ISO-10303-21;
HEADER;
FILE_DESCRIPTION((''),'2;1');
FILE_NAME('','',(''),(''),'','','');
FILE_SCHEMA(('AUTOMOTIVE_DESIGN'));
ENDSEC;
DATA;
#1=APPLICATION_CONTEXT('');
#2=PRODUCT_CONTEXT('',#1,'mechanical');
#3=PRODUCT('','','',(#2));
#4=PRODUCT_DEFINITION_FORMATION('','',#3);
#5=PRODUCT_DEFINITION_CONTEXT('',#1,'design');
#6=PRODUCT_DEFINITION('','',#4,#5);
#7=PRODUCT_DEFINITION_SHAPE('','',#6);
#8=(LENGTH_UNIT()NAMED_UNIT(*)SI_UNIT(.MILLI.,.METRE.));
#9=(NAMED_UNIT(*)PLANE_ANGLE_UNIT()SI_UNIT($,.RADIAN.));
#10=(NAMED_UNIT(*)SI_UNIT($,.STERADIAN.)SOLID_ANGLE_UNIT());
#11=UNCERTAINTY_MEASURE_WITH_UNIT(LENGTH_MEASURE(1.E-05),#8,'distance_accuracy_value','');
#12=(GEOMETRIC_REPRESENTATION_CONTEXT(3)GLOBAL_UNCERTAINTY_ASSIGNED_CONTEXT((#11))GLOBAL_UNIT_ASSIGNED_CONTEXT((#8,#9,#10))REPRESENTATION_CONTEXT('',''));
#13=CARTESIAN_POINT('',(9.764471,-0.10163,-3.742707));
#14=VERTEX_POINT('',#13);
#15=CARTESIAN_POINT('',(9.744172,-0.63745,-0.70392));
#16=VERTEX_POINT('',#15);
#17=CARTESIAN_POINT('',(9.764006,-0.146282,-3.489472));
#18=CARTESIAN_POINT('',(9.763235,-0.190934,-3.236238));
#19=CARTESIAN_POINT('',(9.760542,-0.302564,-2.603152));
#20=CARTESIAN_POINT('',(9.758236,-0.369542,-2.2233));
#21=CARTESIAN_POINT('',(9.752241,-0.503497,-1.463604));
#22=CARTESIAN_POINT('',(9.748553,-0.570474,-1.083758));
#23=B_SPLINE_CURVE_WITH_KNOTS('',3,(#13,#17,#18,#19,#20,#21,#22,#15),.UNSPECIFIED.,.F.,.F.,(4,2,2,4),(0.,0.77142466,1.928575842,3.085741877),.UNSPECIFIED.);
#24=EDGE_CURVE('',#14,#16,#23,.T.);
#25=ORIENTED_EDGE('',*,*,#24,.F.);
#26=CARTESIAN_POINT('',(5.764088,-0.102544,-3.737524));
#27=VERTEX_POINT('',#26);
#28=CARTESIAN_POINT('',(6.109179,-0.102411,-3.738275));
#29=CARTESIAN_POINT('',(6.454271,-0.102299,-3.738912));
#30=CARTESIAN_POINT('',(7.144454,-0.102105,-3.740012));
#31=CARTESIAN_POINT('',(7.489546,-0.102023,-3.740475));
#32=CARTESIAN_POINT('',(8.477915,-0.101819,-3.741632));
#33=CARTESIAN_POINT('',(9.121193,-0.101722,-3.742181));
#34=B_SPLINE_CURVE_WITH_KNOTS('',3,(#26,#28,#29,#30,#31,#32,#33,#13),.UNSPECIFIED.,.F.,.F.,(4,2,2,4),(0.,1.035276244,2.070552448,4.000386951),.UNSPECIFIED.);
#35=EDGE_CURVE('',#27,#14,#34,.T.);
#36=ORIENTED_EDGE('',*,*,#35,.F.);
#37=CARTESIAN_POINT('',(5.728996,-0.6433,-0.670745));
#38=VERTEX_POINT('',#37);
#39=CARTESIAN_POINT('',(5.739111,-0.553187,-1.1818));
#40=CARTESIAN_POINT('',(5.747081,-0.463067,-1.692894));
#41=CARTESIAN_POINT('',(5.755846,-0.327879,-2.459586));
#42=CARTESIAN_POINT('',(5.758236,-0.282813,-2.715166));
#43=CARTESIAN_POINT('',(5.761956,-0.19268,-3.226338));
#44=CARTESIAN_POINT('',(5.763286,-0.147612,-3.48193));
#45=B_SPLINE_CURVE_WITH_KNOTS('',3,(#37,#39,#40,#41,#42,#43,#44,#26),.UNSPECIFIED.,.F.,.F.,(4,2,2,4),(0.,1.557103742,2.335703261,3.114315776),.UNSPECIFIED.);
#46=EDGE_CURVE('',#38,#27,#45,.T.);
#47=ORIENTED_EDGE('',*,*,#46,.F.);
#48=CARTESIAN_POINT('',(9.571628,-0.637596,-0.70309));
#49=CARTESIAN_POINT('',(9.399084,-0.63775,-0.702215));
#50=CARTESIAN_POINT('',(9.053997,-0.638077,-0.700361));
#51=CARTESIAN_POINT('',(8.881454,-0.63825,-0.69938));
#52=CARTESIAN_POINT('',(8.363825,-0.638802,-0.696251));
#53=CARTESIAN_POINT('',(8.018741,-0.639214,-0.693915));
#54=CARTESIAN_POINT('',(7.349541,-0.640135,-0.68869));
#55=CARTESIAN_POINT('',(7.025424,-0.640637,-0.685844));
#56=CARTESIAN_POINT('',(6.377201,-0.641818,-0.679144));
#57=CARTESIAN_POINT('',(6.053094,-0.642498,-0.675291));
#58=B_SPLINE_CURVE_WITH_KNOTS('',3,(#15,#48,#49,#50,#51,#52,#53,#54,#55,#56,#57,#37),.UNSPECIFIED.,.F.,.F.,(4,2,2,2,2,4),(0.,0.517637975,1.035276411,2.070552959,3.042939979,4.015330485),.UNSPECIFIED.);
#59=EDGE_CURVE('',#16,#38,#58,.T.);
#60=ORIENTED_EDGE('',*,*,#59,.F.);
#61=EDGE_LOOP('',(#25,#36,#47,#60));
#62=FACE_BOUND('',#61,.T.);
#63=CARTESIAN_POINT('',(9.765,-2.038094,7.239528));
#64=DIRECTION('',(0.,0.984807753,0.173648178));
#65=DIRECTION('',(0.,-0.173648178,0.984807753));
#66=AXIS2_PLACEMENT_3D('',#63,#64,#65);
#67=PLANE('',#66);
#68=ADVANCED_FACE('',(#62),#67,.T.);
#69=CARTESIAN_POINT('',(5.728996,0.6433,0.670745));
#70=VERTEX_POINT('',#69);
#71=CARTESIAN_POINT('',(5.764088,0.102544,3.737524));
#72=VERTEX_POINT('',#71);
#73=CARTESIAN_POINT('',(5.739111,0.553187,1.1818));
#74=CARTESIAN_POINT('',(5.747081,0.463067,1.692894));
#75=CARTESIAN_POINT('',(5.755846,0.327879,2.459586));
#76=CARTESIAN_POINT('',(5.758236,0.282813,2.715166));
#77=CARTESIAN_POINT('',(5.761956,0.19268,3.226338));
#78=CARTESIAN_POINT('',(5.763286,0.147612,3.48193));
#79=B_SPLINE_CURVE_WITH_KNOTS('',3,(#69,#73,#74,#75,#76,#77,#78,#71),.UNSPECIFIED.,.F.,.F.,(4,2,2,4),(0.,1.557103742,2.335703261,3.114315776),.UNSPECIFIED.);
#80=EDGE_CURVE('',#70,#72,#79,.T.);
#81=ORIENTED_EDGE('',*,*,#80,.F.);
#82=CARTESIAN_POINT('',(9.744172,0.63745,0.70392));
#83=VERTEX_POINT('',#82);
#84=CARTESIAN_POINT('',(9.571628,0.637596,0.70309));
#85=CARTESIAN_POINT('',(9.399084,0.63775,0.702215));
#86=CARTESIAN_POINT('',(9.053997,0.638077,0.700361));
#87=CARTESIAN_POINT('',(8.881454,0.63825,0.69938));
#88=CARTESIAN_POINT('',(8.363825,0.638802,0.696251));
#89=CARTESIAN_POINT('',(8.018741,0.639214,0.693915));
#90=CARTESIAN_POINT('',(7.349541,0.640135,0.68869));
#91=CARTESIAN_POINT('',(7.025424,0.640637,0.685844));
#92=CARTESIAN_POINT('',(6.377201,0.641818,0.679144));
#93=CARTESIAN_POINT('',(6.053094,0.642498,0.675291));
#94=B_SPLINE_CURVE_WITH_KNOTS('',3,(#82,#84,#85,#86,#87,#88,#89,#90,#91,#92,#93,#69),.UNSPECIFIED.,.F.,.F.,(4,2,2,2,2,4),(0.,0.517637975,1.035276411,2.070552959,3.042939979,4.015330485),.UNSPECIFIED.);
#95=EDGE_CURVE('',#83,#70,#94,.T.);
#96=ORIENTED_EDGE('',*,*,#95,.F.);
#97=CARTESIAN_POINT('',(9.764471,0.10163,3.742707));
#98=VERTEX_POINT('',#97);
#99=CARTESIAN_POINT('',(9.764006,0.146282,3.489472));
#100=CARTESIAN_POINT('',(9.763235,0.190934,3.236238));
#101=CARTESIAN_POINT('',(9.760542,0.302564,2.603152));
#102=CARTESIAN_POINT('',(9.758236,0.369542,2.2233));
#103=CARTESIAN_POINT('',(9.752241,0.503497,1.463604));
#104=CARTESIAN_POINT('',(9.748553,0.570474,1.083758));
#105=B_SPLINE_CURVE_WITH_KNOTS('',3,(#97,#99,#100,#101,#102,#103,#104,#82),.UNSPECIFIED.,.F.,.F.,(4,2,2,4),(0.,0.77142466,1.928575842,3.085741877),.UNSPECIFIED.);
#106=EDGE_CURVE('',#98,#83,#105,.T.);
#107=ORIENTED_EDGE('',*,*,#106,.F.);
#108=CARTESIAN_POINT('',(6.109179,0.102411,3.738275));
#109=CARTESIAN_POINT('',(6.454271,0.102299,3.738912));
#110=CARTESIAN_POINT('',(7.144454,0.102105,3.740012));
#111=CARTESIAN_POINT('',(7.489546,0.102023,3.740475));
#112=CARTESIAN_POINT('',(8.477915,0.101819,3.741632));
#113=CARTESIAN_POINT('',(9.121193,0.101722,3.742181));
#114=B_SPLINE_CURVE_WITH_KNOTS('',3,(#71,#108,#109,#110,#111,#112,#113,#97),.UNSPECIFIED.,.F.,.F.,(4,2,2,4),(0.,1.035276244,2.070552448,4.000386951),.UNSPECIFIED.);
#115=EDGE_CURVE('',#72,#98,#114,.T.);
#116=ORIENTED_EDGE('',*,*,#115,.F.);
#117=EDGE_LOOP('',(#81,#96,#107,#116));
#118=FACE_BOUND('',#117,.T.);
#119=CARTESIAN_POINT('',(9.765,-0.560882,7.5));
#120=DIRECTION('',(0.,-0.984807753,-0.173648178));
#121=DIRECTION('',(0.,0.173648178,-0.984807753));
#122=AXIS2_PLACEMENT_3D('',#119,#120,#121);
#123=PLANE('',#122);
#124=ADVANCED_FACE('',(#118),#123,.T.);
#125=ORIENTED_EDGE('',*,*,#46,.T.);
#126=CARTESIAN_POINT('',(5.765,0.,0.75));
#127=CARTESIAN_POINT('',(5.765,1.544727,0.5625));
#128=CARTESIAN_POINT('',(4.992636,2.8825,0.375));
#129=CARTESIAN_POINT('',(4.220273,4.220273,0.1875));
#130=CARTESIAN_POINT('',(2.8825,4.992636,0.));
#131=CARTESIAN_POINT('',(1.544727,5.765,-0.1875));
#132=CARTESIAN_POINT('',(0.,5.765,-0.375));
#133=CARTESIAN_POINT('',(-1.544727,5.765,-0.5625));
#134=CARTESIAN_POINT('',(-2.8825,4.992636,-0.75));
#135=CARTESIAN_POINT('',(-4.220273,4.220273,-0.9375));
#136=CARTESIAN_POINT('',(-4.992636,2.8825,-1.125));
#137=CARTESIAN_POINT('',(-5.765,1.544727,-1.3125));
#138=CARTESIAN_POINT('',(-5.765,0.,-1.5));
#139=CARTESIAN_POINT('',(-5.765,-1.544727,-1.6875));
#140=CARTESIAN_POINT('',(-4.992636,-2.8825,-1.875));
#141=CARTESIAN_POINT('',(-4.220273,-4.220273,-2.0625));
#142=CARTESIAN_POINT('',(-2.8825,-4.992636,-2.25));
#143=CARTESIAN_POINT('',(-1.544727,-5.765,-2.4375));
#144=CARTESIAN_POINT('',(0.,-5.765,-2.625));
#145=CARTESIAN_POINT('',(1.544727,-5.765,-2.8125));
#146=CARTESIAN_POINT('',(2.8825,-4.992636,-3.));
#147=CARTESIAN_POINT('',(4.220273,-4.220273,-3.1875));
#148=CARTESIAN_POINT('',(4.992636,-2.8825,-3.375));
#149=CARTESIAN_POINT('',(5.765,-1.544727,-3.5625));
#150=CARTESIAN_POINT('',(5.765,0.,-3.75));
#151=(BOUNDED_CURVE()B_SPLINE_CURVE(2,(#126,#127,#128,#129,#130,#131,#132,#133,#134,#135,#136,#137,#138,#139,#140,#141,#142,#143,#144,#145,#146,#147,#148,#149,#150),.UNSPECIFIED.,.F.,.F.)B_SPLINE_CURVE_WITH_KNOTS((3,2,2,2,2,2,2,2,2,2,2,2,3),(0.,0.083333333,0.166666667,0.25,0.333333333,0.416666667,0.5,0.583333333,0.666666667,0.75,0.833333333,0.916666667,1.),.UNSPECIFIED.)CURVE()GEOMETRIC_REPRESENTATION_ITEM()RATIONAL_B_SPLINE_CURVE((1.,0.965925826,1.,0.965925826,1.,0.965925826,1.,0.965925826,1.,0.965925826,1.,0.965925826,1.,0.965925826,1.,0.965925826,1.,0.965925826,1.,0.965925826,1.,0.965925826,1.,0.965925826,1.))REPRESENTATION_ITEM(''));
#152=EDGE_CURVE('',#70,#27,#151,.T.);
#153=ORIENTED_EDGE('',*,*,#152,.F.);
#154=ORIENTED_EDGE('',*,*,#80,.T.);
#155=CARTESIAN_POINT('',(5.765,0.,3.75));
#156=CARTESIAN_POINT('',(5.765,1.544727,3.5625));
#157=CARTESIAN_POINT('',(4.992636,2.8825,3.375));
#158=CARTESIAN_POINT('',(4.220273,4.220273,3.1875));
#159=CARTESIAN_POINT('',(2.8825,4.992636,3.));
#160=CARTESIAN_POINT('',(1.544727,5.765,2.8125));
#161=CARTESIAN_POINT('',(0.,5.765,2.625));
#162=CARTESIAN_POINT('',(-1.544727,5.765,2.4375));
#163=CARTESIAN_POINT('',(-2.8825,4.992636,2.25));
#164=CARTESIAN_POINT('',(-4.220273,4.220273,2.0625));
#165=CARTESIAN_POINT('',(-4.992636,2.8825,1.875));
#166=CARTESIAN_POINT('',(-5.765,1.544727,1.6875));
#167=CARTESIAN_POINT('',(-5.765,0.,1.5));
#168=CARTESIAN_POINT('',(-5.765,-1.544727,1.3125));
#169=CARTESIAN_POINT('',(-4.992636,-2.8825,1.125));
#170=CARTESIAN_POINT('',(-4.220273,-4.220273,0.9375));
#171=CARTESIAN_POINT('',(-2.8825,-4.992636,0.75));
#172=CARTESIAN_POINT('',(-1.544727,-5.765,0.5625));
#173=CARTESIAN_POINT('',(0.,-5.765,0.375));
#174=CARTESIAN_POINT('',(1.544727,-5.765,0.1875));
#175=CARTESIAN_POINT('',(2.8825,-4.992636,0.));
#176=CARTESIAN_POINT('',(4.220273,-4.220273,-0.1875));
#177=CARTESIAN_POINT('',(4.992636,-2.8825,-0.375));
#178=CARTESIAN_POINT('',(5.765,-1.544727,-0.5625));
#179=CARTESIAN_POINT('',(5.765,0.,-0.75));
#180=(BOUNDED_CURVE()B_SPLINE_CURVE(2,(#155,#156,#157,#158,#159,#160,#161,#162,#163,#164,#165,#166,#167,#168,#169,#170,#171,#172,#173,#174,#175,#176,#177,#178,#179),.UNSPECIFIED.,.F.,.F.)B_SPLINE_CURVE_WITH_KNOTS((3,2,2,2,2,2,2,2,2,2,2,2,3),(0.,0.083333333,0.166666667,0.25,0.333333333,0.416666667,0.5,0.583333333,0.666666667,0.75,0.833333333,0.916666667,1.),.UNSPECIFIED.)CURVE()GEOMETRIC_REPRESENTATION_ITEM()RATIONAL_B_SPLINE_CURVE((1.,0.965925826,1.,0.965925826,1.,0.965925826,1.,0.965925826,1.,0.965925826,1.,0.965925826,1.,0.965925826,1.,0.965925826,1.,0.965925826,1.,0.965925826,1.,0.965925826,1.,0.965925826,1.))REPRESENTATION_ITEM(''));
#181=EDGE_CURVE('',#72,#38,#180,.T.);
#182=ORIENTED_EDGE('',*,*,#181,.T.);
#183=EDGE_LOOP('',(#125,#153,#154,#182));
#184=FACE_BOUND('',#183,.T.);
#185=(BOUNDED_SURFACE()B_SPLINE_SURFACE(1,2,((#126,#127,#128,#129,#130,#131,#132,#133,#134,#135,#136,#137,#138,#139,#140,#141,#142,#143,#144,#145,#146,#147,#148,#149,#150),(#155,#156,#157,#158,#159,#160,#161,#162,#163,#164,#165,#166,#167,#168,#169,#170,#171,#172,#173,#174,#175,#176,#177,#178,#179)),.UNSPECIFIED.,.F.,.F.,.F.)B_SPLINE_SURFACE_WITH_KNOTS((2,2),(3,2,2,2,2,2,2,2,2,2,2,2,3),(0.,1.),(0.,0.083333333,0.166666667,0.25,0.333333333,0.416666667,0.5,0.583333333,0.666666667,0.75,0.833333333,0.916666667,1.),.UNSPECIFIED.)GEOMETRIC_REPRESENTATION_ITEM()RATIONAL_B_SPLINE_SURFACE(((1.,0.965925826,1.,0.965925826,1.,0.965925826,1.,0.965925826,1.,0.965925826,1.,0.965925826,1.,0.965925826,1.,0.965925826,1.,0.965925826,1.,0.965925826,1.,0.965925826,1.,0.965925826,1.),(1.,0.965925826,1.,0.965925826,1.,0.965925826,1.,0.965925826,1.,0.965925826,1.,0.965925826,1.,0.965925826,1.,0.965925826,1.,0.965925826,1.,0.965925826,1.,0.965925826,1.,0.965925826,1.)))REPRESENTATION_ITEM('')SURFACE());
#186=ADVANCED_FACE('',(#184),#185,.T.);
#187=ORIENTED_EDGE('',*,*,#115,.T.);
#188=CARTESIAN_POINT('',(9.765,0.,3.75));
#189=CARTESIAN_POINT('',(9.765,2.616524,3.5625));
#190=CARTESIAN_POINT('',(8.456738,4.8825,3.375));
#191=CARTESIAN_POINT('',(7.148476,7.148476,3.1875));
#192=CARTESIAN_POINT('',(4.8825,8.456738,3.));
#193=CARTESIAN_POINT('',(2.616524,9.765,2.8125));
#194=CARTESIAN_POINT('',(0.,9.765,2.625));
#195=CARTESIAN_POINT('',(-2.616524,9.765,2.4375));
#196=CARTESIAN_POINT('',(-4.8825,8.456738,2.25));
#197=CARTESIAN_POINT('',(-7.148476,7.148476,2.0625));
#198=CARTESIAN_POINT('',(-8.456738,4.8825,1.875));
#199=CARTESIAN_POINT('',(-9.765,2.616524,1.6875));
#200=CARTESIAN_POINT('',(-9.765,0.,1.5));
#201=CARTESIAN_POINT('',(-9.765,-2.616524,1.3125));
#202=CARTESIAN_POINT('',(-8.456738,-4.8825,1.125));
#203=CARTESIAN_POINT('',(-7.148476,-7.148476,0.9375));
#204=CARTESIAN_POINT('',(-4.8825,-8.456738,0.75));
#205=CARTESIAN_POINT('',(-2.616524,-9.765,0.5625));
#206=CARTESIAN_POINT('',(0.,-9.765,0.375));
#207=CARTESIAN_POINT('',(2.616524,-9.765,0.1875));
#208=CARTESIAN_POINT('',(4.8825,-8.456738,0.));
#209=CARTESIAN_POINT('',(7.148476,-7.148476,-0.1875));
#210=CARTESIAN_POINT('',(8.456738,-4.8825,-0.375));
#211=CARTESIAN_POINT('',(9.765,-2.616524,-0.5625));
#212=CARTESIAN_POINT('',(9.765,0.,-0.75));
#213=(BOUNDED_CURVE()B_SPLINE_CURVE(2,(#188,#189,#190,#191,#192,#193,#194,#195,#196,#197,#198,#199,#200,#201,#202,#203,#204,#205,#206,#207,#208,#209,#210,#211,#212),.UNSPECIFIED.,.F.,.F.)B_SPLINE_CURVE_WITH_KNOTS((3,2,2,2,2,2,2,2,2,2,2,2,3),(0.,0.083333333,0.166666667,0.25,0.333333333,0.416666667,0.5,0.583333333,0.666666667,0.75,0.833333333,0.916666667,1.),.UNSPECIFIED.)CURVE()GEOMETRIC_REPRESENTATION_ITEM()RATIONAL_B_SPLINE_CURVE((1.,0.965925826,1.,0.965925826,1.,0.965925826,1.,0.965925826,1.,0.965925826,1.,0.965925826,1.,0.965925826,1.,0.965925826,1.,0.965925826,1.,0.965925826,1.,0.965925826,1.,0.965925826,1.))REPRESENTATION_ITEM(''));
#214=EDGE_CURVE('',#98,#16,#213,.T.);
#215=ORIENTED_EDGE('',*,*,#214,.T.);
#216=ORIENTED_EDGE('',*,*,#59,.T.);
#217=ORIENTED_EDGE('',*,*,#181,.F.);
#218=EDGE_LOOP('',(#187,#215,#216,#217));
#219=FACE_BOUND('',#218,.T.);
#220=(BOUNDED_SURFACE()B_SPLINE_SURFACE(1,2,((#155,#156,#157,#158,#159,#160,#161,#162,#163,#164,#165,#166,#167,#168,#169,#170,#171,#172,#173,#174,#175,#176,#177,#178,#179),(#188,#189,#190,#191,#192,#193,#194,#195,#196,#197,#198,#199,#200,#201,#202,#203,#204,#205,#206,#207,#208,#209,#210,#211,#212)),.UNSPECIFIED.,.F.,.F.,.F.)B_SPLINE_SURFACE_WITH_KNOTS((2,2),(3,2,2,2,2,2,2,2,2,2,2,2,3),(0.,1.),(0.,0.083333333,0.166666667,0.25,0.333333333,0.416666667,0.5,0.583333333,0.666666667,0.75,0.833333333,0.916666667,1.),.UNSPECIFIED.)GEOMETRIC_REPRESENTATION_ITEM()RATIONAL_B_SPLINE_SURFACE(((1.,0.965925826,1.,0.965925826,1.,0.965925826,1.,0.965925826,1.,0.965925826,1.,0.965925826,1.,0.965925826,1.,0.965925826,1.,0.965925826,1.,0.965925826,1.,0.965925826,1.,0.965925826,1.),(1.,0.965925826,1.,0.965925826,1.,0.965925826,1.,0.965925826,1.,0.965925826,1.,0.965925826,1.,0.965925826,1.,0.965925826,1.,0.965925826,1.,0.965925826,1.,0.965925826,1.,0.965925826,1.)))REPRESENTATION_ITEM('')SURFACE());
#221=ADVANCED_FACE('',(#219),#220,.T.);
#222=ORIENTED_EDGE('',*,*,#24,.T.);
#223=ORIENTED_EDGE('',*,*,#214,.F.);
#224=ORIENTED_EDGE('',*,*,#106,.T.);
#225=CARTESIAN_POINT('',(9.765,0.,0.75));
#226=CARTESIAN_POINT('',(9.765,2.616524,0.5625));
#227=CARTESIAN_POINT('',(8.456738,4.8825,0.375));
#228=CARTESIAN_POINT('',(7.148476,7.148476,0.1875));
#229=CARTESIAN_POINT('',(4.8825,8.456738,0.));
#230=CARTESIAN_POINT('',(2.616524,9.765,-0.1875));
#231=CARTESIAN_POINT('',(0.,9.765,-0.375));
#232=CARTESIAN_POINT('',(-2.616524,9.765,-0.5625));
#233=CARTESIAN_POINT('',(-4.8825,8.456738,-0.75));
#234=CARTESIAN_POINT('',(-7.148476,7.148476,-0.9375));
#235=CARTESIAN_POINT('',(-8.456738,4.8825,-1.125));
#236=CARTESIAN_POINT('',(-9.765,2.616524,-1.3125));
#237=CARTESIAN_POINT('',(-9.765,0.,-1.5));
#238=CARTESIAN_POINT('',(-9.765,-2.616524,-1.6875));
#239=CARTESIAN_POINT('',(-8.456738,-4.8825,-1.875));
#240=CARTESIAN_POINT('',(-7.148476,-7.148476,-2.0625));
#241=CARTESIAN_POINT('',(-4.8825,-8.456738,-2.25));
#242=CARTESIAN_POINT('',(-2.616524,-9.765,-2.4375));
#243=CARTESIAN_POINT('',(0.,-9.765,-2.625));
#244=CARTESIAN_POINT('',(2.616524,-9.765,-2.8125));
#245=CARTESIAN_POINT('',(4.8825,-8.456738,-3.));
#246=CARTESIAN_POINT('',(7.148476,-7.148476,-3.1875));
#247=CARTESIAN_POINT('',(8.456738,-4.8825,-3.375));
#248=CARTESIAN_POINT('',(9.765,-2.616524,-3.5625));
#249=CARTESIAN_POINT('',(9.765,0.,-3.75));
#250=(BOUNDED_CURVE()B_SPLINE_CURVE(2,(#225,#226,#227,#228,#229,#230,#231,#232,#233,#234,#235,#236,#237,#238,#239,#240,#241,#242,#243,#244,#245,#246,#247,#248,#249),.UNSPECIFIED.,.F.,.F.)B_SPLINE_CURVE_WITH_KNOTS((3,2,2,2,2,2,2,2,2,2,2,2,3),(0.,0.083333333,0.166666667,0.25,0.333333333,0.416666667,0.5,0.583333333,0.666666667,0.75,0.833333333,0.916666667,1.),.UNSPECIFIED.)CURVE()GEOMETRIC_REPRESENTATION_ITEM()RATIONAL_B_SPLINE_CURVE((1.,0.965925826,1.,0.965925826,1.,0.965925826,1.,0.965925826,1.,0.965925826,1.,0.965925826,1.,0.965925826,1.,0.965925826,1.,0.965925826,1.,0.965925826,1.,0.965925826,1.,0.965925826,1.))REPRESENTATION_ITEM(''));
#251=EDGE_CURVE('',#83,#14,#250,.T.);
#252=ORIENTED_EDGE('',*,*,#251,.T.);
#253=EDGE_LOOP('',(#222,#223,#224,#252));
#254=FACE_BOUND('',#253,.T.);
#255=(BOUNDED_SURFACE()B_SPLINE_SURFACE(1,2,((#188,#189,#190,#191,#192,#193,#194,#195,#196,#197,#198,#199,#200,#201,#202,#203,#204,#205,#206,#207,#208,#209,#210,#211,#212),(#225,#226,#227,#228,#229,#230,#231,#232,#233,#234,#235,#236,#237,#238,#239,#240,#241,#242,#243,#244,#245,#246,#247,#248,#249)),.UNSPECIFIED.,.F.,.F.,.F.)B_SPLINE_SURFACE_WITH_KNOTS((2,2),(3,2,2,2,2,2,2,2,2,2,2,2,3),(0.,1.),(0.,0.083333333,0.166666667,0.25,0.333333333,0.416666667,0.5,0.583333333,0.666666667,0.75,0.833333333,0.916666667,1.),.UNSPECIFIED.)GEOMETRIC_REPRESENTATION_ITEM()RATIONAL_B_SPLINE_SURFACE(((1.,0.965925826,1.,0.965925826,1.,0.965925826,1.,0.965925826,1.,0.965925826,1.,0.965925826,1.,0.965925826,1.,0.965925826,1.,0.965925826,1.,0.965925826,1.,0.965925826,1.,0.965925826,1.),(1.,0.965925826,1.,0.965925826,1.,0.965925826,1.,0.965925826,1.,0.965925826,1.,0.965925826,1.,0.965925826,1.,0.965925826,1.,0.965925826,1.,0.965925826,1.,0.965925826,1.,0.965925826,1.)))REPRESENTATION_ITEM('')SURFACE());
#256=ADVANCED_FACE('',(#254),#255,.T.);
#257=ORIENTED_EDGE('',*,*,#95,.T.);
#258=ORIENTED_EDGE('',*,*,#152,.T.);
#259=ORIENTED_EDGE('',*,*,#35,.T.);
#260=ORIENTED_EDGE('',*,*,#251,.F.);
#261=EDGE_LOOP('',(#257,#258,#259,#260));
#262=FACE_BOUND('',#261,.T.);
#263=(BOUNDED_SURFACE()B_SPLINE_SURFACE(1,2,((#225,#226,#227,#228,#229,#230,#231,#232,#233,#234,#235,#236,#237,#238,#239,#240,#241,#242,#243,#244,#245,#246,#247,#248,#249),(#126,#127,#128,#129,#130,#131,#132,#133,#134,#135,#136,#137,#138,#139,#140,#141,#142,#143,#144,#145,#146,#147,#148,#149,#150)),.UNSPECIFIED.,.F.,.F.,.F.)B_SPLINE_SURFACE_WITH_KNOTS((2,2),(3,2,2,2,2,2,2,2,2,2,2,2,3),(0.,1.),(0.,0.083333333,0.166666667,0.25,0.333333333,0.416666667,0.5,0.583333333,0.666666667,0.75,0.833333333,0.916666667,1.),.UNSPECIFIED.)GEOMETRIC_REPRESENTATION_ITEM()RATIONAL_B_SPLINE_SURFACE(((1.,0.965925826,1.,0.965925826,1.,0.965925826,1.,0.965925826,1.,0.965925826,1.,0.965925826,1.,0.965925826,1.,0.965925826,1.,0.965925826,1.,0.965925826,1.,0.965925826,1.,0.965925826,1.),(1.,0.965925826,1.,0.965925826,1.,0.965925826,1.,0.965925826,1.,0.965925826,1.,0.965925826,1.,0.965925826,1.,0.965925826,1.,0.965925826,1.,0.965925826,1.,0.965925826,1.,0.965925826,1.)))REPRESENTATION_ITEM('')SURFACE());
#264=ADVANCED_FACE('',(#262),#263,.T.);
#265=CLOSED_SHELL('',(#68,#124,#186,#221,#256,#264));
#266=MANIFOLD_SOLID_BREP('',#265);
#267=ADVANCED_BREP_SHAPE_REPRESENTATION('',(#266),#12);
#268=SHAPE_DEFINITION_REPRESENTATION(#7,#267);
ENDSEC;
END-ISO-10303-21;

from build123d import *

# Parameters (mm, degrees)
SWEEP_1_PITCH       = 4.5
SWEEP_1_HEIGHT      = 4.5
SWEEP_1_RADIUS      = 9.765
SWEEP_1_START_ANGLE = -180
SKETCH_4_W          = 4
SKETCH_4_H          = 3
CUT_EXTRUDE_2_DEPTH = 15.309889709


with BuildPart() as part:
    # 扫描1: sweep along a helix
    with BuildLine() as sweep_1_path:
        add(Helix(SWEEP_1_PITCH, SWEEP_1_HEIGHT, SWEEP_1_RADIUS, center=(0, 0, 3.75), direction=(0, 0, -1), lefthand=True, mode=Mode.PRIVATE).rotate(Axis((0, 0, 3.75), (0, 0, -1)), SWEEP_1_START_ANGLE))
    # 草图4 → 扫描1 (sweep)
    with BuildSketch(Plane(origin=(0, 0, 0), x_dir=(1, 0, 0), z_dir=(0, 1, 0))):
        with Locations((7.765, -2.25)):
            Rectangle(SKETCH_4_W, SKETCH_4_H)
    sweep(path=sweep_1_path.line, is_frenet=True)

    # 草图5 → 切除-拉伸2 (cut, through all)
    with BuildSketch(Plane(origin=(0, 0, 0), x_dir=(0, 0, -1), z_dir=(1, 0, 0))):
        Polygon((-7.5, -0.560882396), (7.5, 2.084022314), (7.760472267, 0.606810685), (-7.239527733, -2.038094026), align=None)
    extrude(amount=CUT_EXTRUDE_2_DEPTH, mode=Mode.SUBTRACT)


solid = part.part
